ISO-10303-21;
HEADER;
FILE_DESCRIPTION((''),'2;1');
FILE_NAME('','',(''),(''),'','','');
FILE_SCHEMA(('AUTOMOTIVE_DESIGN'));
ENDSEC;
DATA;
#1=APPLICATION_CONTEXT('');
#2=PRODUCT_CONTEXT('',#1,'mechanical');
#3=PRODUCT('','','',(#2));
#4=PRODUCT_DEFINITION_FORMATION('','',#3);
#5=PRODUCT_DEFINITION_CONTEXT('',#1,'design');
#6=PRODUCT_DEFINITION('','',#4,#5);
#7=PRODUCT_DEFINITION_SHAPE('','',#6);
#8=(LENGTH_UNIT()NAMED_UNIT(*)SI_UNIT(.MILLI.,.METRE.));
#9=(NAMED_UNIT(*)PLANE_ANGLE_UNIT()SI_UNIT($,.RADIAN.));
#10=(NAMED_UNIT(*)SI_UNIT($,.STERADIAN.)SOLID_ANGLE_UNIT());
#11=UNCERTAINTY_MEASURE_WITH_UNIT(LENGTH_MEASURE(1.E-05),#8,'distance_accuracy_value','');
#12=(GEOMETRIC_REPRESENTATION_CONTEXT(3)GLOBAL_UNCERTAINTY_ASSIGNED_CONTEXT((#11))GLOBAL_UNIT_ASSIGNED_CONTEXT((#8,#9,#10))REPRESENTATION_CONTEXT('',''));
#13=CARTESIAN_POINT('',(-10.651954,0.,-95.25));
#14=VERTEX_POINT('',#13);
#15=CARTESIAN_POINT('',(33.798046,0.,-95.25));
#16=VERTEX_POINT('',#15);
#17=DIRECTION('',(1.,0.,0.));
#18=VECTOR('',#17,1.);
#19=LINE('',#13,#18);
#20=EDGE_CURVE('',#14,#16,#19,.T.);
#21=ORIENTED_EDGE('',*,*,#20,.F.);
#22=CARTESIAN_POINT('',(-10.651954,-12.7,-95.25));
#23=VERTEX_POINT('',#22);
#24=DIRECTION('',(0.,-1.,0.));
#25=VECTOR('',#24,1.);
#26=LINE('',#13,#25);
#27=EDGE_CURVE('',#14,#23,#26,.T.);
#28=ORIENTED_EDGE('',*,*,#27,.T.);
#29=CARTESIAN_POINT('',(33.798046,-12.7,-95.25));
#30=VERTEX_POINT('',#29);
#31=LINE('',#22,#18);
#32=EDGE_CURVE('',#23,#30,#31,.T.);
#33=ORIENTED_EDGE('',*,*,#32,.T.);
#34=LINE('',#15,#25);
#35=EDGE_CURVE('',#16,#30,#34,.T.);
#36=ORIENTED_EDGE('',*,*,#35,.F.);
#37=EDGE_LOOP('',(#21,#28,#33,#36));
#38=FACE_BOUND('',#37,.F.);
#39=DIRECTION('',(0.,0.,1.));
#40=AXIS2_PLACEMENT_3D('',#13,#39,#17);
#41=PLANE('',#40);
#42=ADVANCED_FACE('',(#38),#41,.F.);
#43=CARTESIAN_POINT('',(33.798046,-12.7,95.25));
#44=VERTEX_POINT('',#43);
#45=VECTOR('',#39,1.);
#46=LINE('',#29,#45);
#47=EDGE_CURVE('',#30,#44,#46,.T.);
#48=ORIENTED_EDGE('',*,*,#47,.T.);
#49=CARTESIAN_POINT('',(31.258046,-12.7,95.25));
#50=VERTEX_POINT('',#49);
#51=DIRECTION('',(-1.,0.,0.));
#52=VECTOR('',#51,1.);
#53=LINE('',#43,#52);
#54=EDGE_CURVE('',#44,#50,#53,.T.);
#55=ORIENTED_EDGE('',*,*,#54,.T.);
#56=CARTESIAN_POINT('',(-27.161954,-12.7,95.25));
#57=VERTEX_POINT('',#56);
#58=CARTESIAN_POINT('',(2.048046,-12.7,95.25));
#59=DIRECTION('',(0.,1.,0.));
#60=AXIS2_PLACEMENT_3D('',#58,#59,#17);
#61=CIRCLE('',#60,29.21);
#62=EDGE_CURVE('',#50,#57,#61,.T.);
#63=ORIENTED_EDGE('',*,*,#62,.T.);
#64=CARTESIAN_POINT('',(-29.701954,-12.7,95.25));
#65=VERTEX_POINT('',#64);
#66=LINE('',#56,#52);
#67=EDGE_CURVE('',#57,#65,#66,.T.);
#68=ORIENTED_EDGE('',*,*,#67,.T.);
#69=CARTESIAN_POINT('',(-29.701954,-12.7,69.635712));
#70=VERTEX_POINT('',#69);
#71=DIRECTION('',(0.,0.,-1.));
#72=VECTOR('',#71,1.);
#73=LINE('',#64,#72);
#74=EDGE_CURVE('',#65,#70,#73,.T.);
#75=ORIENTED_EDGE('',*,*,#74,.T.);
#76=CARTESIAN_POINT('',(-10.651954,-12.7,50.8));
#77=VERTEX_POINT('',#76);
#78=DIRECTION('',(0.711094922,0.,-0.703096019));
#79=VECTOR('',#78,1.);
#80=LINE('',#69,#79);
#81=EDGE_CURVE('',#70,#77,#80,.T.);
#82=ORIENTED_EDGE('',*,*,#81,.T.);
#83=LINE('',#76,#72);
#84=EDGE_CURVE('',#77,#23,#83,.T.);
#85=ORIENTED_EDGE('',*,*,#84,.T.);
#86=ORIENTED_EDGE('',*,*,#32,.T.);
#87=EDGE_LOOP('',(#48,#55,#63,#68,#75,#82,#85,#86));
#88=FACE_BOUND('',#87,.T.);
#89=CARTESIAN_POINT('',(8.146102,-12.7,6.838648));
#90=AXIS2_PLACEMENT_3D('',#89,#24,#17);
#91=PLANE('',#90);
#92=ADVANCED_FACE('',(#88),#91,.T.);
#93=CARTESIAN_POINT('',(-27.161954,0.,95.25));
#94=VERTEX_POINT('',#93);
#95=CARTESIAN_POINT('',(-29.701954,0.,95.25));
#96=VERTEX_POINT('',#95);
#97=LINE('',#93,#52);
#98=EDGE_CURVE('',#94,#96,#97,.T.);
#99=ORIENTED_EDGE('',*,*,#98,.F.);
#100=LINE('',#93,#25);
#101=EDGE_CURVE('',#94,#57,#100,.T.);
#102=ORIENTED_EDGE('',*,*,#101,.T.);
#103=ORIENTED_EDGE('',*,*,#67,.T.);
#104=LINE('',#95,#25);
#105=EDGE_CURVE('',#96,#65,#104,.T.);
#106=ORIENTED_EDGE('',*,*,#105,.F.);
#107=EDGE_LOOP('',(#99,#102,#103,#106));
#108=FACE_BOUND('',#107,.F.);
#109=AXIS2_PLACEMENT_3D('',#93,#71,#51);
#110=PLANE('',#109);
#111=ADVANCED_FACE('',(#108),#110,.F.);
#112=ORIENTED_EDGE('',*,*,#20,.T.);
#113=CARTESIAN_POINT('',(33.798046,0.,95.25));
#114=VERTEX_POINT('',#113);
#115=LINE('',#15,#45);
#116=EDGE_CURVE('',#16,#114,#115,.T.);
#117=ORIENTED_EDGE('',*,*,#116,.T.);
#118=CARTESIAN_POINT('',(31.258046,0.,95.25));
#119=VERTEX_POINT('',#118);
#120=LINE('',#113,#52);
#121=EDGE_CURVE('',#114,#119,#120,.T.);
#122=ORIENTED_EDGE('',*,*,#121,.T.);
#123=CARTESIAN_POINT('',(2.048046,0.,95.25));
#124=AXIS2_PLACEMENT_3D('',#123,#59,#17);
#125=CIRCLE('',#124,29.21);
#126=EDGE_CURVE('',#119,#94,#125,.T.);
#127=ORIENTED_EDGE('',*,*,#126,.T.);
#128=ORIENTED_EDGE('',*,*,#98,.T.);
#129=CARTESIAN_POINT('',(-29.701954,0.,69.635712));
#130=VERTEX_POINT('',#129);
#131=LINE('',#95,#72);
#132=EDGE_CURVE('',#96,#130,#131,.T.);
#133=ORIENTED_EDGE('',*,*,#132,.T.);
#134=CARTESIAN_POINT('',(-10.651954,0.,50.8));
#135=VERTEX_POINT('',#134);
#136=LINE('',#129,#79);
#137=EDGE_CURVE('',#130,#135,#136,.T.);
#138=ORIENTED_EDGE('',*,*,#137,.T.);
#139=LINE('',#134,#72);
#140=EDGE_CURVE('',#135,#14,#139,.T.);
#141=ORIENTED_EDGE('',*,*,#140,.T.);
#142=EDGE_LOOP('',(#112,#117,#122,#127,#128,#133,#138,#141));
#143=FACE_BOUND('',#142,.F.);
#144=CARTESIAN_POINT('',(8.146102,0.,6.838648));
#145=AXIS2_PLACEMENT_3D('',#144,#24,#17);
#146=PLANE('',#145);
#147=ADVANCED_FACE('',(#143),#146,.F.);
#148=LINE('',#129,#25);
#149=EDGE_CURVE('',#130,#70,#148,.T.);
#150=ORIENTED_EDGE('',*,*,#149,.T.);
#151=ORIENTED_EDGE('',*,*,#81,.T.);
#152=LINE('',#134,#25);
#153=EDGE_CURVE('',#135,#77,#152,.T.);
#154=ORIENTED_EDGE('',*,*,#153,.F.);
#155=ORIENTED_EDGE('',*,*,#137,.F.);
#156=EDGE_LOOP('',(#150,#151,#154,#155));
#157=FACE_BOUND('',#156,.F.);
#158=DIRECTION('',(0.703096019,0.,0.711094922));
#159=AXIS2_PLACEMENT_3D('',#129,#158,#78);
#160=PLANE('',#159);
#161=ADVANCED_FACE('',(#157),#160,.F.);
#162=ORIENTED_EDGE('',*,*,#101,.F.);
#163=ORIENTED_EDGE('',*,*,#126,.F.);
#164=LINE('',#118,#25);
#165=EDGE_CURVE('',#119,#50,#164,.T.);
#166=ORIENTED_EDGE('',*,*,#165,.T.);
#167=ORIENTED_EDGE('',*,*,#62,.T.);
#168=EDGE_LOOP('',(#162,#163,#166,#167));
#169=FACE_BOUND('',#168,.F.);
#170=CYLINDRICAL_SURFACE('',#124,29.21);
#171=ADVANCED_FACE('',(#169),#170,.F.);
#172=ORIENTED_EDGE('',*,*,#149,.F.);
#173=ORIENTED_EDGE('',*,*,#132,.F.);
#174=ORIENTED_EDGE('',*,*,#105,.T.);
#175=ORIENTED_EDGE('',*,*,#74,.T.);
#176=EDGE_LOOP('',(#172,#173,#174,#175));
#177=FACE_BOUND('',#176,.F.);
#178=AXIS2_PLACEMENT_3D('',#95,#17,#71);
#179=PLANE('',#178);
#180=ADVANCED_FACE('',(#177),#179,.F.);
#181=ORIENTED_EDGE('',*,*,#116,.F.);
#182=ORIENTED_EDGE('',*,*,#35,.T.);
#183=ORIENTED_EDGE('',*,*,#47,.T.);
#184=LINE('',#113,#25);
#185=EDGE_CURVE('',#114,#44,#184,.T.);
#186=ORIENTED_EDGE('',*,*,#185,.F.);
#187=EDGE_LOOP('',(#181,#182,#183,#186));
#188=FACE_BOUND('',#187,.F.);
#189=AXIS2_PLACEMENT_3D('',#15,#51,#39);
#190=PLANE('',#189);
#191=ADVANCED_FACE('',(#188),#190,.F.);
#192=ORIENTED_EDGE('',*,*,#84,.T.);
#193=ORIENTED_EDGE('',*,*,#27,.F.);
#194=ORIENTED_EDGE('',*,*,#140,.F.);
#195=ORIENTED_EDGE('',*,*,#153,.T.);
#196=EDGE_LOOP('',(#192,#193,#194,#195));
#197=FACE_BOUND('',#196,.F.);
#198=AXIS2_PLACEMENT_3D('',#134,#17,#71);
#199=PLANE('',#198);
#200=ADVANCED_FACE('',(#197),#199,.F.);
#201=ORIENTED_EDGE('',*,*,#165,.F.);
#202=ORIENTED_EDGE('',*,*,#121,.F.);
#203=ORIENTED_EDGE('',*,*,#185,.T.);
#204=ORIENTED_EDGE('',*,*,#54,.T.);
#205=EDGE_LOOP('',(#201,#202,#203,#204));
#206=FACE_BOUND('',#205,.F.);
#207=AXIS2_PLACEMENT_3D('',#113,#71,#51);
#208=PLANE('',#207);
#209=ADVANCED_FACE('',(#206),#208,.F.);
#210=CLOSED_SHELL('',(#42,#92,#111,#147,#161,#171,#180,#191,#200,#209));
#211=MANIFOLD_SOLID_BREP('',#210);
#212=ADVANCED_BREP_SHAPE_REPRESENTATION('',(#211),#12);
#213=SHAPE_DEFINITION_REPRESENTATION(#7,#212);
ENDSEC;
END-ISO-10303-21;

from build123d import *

# Parameters (mm, degrees)
F1_DEPTH = 12.7


with BuildPart() as f1:
    # F0 (on Front) → F1 (new body)
    with BuildSketch(Plane.XZ):
        with BuildLine():
            ThreePointArc((31.258046, 95.25), (2.048046, 66.04), (-27.161954, 95.25))
            Line((-27.161954, 95.25), (-29.701954, 95.25))
            Line((-29.701954, 95.25), (-29.701954, 69.635712))
            Line((-29.701954, 69.635712), (-10.651954, 50.8))
            Line((-10.651954, 50.8), (-10.651954, 0))
            Line((-10.651954, 0), (-10.651954, -95.25))
            Line((-10.651954, -95.25), (33.798046, -95.25))
            Line((33.798046, -95.25), (33.798046, 0))
            Line((33.798046, 0), (33.798046, 95.25))
            Line((33.798046, 95.25), (31.258046, 95.25))
        make_face()
    extrude(amount=F1_DEPTH)


solid = f1.part
